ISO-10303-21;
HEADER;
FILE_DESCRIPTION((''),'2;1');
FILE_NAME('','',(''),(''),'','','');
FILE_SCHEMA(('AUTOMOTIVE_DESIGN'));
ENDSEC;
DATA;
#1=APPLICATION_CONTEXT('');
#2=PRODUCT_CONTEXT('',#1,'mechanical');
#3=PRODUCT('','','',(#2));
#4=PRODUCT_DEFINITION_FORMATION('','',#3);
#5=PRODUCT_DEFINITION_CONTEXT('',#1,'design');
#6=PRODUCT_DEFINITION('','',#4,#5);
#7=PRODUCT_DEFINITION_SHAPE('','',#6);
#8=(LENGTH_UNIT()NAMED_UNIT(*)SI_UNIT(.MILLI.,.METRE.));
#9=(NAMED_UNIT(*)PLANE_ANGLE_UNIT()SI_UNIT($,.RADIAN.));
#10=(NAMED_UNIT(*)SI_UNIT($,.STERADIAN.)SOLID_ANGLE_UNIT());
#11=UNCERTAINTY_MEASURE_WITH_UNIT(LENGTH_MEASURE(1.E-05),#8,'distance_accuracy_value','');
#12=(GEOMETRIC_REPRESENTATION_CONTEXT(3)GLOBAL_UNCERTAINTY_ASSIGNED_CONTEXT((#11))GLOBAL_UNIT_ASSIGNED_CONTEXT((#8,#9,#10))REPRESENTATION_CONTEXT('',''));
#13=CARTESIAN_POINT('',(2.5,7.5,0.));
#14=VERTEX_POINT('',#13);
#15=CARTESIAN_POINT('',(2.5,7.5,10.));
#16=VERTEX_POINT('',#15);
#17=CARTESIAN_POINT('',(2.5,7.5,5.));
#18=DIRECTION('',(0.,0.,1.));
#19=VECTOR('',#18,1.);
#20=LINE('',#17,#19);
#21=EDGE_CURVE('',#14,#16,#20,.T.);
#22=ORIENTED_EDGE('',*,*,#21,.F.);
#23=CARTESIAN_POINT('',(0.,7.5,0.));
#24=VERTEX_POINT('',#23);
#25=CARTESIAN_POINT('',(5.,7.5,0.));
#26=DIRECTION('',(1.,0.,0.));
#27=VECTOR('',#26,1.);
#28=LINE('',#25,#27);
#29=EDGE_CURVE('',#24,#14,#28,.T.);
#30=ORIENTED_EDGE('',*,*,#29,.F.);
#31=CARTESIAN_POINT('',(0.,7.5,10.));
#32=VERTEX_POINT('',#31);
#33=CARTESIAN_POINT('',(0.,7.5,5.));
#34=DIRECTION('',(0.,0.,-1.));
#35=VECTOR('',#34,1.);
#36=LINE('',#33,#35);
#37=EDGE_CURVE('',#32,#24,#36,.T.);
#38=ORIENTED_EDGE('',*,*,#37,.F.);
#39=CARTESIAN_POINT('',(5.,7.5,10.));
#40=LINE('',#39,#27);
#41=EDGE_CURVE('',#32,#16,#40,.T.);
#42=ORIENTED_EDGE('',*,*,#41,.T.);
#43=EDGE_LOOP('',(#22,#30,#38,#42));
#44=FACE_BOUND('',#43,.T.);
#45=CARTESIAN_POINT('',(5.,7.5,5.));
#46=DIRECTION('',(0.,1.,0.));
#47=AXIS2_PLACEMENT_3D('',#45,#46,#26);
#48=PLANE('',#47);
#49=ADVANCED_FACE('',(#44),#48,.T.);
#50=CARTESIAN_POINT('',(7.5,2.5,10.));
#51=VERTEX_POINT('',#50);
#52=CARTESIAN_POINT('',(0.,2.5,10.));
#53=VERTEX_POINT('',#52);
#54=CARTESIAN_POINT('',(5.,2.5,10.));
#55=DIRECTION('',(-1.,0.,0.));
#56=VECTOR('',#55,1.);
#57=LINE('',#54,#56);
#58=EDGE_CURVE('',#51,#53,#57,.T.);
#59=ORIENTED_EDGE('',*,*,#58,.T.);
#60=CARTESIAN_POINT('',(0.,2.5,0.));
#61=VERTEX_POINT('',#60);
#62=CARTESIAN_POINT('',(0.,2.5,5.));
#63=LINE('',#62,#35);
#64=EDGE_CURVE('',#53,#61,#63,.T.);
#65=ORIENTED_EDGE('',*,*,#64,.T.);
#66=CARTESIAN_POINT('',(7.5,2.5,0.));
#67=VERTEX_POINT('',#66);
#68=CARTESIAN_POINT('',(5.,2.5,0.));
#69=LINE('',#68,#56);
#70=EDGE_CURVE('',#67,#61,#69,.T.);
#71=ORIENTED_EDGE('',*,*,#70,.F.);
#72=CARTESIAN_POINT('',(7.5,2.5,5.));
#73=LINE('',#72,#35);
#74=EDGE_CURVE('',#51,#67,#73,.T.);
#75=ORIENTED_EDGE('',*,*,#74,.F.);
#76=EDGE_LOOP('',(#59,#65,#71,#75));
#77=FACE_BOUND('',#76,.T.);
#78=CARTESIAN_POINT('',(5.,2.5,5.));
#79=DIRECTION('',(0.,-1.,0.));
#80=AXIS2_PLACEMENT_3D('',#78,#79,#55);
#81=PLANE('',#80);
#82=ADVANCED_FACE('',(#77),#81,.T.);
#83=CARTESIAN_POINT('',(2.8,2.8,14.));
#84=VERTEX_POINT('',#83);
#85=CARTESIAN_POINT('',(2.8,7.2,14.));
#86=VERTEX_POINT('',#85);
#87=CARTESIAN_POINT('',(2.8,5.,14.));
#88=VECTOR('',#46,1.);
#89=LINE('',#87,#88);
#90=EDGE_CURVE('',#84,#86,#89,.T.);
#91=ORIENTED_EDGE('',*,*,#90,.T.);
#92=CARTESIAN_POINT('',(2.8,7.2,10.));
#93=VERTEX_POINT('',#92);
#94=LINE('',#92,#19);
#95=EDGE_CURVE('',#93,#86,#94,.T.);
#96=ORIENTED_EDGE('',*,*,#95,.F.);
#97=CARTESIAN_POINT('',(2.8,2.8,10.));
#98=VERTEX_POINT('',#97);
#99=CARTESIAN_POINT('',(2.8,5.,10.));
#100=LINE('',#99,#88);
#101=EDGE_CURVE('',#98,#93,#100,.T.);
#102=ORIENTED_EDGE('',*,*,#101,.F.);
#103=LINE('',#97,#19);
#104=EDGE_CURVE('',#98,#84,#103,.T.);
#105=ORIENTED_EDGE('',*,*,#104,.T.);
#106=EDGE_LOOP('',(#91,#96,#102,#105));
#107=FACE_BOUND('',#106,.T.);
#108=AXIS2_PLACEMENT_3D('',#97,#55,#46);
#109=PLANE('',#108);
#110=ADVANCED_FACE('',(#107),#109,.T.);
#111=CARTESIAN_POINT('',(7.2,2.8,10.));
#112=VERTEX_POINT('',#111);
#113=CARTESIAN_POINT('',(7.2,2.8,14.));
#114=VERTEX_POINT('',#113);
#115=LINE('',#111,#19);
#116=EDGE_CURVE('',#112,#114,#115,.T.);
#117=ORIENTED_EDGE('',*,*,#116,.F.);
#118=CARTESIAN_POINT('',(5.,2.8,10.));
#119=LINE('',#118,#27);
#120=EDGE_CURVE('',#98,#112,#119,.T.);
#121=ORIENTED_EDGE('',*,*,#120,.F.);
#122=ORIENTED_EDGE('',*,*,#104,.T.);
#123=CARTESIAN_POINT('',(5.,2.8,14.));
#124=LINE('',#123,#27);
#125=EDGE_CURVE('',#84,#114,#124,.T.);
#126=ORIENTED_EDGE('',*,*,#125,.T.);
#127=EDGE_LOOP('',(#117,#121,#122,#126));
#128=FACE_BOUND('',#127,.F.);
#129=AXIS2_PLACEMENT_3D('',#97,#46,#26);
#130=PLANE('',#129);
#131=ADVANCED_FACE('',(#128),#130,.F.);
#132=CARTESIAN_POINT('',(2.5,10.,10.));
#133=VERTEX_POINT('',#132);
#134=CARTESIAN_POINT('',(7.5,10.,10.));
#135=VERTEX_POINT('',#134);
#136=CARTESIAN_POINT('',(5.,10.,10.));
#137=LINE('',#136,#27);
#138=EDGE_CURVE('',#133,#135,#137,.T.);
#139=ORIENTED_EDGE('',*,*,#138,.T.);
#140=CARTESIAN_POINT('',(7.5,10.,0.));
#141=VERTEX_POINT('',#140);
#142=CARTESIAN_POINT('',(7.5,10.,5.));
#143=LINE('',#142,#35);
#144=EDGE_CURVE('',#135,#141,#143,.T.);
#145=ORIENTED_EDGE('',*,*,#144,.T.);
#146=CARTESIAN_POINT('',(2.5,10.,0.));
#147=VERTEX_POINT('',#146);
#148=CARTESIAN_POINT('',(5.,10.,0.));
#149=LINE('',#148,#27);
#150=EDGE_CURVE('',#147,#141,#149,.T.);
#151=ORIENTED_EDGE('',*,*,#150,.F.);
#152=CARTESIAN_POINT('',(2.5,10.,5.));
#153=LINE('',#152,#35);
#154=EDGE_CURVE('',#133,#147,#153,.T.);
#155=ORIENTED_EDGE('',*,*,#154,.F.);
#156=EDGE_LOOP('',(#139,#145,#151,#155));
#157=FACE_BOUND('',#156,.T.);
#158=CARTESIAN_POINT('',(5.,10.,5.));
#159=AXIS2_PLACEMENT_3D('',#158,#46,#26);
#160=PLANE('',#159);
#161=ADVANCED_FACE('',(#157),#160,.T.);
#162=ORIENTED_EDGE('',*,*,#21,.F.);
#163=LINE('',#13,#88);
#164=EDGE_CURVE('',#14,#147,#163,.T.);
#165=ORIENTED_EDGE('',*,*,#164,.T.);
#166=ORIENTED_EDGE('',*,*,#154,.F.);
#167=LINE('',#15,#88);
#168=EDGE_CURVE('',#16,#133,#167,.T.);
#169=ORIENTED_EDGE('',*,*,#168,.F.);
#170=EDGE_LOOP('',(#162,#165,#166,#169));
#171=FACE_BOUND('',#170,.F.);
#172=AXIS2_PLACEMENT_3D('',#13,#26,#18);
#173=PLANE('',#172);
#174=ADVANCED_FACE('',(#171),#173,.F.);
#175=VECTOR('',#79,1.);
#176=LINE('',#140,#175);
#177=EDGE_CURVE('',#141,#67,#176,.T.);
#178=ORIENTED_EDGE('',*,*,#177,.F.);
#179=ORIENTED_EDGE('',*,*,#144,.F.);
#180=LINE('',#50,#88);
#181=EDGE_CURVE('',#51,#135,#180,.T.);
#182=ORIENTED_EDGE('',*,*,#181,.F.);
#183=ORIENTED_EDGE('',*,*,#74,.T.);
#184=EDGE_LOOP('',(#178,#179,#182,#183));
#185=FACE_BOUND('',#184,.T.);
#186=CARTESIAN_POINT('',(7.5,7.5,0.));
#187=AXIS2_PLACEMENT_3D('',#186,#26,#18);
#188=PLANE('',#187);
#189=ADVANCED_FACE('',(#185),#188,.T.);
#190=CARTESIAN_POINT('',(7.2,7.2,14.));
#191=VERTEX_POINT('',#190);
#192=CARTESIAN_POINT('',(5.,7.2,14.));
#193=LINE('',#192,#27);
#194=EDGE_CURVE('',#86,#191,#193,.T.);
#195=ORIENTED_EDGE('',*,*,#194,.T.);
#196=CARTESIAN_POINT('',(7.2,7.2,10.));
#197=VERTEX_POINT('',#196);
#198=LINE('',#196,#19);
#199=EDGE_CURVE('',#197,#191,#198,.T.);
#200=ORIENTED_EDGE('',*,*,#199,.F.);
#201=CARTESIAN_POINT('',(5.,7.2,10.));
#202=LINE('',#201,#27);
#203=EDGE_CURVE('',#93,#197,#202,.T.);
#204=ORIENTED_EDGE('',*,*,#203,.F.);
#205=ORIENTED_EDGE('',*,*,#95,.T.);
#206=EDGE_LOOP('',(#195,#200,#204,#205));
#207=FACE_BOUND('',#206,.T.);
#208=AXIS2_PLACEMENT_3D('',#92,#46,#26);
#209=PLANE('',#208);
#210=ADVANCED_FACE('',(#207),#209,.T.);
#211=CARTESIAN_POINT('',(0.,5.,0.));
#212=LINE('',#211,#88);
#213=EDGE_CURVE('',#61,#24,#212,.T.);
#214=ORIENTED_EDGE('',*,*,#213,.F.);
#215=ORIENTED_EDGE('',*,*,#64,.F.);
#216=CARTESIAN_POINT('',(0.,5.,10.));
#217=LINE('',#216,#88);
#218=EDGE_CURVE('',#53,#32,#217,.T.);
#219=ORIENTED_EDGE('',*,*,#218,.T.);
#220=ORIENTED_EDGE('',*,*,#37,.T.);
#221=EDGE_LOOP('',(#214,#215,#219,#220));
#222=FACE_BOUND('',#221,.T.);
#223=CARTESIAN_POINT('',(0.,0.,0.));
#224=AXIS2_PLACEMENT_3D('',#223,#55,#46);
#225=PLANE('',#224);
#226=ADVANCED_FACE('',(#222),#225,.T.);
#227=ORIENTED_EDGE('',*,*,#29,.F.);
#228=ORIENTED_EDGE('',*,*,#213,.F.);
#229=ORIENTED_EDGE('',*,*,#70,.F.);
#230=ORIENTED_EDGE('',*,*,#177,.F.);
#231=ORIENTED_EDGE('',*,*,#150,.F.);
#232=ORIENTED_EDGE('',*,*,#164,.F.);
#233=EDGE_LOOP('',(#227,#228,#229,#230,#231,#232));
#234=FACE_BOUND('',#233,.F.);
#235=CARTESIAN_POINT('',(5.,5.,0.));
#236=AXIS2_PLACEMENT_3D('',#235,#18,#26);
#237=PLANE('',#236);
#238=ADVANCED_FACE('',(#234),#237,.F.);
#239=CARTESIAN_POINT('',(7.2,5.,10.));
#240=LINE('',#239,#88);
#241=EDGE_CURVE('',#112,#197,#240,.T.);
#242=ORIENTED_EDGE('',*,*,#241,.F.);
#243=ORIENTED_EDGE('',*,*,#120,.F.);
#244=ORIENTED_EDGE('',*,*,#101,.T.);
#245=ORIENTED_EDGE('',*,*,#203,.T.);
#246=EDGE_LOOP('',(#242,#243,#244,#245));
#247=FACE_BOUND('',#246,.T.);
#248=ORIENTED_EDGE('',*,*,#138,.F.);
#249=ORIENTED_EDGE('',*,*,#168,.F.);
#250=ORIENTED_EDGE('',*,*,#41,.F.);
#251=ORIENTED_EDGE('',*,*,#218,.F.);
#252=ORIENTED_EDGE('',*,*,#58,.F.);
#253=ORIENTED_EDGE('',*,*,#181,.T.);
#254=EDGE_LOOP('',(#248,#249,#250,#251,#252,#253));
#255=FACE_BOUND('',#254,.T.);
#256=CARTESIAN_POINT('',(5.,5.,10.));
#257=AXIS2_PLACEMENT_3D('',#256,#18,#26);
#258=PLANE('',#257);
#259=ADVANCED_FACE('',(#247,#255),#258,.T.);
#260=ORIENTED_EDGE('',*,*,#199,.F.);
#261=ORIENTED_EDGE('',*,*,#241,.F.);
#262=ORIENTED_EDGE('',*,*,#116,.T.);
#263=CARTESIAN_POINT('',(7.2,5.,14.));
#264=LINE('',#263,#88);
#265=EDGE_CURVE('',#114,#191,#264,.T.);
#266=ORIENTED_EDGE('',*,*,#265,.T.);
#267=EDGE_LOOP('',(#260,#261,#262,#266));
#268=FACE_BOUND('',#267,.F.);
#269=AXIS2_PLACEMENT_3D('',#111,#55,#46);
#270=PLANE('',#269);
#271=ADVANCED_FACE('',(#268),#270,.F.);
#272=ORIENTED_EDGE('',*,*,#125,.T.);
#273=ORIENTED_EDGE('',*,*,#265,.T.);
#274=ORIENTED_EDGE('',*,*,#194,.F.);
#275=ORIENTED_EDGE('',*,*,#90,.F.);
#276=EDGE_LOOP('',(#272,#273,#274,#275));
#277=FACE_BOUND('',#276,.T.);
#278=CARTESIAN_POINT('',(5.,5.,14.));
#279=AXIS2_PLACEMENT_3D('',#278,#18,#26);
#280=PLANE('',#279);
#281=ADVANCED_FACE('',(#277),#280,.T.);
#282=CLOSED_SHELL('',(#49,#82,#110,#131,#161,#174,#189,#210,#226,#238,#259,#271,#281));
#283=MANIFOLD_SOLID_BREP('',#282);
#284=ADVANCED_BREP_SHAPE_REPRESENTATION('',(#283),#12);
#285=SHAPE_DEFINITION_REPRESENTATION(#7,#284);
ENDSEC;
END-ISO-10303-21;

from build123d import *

# Parameters (mm, degrees)
BOX_W              = 10
BOX_H              = 10
BOX_DEPTH          = 10
SKETCH_W           = 4.4
SKETCH_H           = 4.4
PAD_DEPTH          = 4
PAD_FACE4_W        = 10
PAD_FACE4_H        = 10
POCKET_DEPTH       = 2.5
POCKET_FACE5_W     = 10
POCKET_FACE5_H     = 10
POCKET001_DEPTH    = 2.5
SKETCH001_W        = 5
SKETCH001_H        = 10
PAD001_DEPTH       = 10
SKETCH002_W        = 4.4
SKETCH002_H        = 4.4
PAD002_DEPTH       = 4
PAD002_FACE22_W    = 4.4
PAD002_FACE22_H    = 4.4
POCKET002_DEPTH    = 5
POCKET002_FACE16_W = 5
POCKET002_FACE16_H = 10
POCKET003_DEPTH    = 7.5
POCKET003_FACE7_W  = 2.5
POCKET003_FACE7_H  = 10
POCKET004_DEPTH    = 5


with BuildPart() as part:
    # Box → Box (new body)
    with BuildSketch(Plane.XY):
        with Locations((5, 5)):
            Rectangle(BOX_W, BOX_H)
    extrude(amount=BOX_DEPTH)

    # Sketch (on Face6 of BaseFeature) → Pad (new body)
    with BuildSketch(Plane.XY.offset(10)):
        with Locations((5, 5)):
            Rectangle(SKETCH_W, SKETCH_H)
    extrude(amount=PAD_DEPTH)

    # Pad Face4 → Pocket (cut)
    with BuildSketch(Plane(origin=(5, 10, 5), x_dir=(1, 0, 0), z_dir=(0, 1, 0))):
        Rectangle(PAD_FACE4_W, PAD_FACE4_H)
    extrude(amount=-POCKET_DEPTH, mode=Mode.SUBTRACT)

    # Pocket Face5 → Pocket001 (cut)
    with BuildSketch(Plane(origin=(5, 0, 5), x_dir=(-1, 0, 0), z_dir=(0, -1, 0))):
        Rectangle(POCKET_FACE5_W, POCKET_FACE5_H)
    extrude(amount=-POCKET001_DEPTH, mode=Mode.SUBTRACT)

    # Sketch001 (on Face3 of Pocket001) → Pad001 (join)
    with BuildSketch(Plane(origin=(0, 7.5, 0), x_dir=(-1, 0, 0), z_dir=(0, 1, 0))):
        with Locations((-5, 5)):
            Rectangle(SKETCH001_W, SKETCH001_H)
    extrude(amount=PAD001_DEPTH)

    # Sketch002 (on Face6 of Pad001) → Pad002 (join)
    with BuildSketch(Plane.XY.offset(10)):
        with Locations((5, 12.5)):
            Rectangle(SKETCH002_W, SKETCH002_H)
    extrude(amount=PAD002_DEPTH)

    # Pad002 Face22 → Pocket002 (cut)
    with BuildSketch(Plane(origin=(5, 12.5, 14), x_dir=(0, 1, 0), z_dir=(0, 0, 1))):
        Rectangle(PAD002_FACE22_W, PAD002_FACE22_H)
    extrude(amount=-POCKET002_DEPTH, mode=Mode.SUBTRACT)

    # Pocket002 Face16 → Pocket003 (cut)
    with BuildSketch(Plane(origin=(5, 17.5, 5), x_dir=(1, 0, 0), z_dir=(0, 1, 0))):
        Rectangle(POCKET002_FACE16_W, POCKET002_FACE16_H)
    extrude(amount=-POCKET003_DEPTH, mode=Mode.SUBTRACT)

    # Pocket003 Face7 → Pocket004 (cut)
    with BuildSketch(Plane(origin=(8.75, 7.5, 5), x_dir=(1, 0, 0), z_dir=(0, 1, 0))):
        Rectangle(POCKET003_FACE7_W, POCKET003_FACE7_H)
    extrude(amount=-POCKET004_DEPTH, mode=Mode.SUBTRACT)


solid = part.part
